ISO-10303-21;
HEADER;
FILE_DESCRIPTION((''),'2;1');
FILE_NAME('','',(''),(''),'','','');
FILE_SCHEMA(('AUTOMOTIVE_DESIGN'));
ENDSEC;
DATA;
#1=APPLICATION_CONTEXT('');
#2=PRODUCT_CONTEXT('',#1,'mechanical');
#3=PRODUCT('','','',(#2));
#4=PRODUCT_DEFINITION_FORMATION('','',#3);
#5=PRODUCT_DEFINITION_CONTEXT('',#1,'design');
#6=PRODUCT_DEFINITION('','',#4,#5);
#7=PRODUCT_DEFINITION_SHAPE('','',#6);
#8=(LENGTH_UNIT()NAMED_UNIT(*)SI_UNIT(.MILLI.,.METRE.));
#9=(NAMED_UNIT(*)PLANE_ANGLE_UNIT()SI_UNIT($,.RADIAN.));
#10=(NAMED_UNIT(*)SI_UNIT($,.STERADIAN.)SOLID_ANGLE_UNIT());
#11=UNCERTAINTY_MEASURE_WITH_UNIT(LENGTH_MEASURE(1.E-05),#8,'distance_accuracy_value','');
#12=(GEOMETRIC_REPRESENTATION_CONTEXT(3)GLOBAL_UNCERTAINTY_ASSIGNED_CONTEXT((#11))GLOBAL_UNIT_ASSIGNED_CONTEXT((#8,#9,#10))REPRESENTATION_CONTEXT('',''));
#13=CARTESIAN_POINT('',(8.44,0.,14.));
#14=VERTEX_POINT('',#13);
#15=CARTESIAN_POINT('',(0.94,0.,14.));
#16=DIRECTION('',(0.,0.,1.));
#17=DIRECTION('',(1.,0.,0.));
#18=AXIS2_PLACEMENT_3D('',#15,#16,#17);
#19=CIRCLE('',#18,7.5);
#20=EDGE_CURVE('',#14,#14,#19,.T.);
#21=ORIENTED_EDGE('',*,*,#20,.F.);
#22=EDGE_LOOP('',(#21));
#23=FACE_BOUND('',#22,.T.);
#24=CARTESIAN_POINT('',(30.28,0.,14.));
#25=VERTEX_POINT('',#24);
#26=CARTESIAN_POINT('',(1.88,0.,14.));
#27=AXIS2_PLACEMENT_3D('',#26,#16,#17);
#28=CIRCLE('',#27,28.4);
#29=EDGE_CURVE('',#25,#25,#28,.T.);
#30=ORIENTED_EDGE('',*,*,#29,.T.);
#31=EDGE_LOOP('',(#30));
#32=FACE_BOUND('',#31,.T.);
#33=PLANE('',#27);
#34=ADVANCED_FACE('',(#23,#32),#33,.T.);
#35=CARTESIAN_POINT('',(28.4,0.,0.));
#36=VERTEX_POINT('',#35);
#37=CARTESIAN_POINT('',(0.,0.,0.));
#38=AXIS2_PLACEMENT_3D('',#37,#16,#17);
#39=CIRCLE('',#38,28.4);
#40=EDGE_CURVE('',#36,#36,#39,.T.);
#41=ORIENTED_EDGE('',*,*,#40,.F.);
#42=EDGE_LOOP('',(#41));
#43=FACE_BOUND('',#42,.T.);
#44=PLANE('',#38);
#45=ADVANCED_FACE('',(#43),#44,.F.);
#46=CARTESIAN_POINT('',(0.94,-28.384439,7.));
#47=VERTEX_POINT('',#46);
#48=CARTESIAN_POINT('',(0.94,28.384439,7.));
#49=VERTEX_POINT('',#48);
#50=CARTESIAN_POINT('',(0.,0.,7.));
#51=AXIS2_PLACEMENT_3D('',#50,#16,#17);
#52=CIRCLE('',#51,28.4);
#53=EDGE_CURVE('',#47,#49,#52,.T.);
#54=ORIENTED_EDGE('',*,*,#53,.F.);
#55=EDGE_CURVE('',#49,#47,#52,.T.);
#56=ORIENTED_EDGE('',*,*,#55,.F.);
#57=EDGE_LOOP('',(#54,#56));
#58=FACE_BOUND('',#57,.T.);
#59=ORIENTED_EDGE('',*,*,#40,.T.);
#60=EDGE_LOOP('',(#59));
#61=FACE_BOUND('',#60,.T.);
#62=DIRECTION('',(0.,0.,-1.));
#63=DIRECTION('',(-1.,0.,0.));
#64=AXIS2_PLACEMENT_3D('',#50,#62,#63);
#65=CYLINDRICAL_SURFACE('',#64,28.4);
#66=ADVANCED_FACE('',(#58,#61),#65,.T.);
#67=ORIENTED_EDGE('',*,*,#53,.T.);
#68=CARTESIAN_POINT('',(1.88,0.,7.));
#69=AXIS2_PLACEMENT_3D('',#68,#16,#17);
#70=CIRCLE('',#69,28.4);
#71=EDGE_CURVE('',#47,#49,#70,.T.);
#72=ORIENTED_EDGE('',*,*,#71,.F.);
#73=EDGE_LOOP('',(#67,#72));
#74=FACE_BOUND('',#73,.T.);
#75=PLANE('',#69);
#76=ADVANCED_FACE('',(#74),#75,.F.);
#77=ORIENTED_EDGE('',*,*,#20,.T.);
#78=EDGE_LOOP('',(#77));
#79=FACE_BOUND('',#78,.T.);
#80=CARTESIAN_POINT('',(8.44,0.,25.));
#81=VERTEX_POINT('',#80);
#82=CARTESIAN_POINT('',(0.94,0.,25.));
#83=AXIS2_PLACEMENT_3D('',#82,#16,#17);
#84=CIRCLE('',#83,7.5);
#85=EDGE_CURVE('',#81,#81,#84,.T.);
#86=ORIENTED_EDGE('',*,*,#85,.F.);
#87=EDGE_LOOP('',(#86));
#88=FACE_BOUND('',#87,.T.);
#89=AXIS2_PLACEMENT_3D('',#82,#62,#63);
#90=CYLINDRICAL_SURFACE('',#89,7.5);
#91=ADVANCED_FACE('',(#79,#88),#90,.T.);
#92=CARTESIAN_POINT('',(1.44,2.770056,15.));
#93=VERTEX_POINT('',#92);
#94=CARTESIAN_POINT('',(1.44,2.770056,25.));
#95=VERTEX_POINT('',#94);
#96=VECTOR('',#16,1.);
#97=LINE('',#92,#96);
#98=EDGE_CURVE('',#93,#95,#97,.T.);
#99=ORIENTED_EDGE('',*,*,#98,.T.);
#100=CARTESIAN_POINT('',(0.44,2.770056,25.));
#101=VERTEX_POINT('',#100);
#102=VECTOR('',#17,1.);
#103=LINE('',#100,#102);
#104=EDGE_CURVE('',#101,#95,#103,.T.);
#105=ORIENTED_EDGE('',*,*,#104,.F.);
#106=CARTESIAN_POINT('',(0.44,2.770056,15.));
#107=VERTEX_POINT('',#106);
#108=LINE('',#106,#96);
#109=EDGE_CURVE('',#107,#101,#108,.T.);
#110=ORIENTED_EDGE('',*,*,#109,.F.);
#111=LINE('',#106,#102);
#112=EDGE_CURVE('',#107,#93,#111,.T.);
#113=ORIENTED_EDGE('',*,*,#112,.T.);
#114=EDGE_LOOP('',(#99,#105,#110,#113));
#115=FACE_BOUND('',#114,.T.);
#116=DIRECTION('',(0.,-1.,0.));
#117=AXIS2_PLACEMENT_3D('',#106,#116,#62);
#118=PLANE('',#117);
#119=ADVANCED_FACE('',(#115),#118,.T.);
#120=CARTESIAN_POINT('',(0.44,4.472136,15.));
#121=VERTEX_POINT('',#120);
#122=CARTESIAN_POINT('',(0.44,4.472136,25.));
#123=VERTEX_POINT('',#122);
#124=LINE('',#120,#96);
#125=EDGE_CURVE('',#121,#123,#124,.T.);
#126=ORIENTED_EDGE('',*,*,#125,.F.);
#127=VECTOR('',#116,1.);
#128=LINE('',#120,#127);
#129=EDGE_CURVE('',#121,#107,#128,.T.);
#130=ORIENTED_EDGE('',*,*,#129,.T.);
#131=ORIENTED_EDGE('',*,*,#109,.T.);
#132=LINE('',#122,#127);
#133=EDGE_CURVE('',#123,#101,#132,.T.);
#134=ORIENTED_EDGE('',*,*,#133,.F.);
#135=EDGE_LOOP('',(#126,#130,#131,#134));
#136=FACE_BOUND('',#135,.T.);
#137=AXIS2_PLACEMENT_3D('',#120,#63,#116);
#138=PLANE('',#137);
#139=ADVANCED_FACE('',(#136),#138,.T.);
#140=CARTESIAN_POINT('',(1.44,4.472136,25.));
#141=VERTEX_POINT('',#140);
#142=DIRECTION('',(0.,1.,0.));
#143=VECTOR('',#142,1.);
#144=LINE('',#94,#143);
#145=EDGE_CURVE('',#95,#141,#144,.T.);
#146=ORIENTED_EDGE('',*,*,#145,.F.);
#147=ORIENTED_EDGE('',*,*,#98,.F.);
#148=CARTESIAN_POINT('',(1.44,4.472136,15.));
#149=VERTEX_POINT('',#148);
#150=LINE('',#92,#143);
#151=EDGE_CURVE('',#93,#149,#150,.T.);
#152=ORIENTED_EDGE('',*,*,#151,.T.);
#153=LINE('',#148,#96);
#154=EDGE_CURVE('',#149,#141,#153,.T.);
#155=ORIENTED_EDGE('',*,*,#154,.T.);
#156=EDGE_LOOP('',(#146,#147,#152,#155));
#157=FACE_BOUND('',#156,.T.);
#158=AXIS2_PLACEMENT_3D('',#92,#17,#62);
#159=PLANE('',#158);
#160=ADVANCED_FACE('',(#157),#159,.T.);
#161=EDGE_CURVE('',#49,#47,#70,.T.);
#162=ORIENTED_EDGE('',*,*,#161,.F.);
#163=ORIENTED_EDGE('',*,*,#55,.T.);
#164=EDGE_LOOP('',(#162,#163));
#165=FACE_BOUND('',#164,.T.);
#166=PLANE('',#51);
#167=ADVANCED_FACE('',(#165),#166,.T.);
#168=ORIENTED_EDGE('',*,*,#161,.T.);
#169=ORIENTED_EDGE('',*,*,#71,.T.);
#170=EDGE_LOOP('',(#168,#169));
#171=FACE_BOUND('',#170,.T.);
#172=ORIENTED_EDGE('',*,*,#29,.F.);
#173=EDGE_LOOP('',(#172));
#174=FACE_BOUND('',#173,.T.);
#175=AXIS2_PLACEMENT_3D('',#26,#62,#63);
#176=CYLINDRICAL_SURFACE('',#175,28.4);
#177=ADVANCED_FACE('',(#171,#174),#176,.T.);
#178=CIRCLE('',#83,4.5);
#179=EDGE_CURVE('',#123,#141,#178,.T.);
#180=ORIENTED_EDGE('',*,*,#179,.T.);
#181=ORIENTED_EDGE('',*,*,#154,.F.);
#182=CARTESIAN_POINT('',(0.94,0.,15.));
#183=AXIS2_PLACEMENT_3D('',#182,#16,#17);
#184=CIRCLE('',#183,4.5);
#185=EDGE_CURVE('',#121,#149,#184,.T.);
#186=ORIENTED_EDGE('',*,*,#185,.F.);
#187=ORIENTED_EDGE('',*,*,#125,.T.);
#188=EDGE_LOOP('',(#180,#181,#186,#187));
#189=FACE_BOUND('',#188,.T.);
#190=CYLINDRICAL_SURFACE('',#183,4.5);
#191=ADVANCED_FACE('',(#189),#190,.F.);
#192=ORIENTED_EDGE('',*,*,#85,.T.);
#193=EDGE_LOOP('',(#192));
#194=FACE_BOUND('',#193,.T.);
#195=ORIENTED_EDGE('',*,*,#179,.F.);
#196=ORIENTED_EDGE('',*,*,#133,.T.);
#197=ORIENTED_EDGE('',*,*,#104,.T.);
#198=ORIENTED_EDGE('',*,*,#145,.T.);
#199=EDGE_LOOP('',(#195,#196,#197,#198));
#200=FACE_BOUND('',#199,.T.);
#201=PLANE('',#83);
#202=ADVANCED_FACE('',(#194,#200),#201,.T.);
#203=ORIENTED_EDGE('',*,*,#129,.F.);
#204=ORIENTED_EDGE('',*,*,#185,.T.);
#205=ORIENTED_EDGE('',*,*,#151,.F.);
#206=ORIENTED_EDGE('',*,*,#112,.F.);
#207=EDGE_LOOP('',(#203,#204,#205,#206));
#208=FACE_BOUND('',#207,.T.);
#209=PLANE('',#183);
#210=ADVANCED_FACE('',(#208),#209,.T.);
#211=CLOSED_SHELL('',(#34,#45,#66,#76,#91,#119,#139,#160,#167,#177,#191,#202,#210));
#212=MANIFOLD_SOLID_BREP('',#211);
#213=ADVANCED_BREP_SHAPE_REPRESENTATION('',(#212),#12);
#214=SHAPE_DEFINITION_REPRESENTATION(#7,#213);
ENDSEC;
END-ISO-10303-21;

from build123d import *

# Parameters (mm, degrees)
SKETCH1_R           = 28.4
BOSS_EXTRUDE1_DEPTH = 7
SKETCH2_R           = 28.4
BOSS_EXTRUDE3_DEPTH = 7
SKETCH4_R           = 7.5
BOSS_EXTRUDE4_DEPTH = 11
CUT_EXTRUDE1_DEPTH  = 10


with BuildPart() as part:
    # Sketch1 → Boss-Extrude1 (new body)
    with BuildSketch(Plane.XY):
        Circle(SKETCH1_R)
    extrude(amount=BOSS_EXTRUDE1_DEPTH)

    # Sketch2 → Boss-Extrude3 (add)
    with BuildSketch(Plane.XY.offset(7)):
        with Locations((1.88, 0)):
            Circle(SKETCH2_R)
    extrude(amount=BOSS_EXTRUDE3_DEPTH)

    # Sketch4 → Boss-Extrude4 (add)
    with BuildSketch(Plane.XY.offset(14)):
        with Locations((0.94, 0)):
            Circle(SKETCH4_R)
    extrude(amount=BOSS_EXTRUDE4_DEPTH)

    # Sketch6 → Cut-Extrude1 (cut)
    with BuildSketch(Plane.XY.offset(25)):
        with BuildLine():
            Line((0.44, 2.770056), (1.44, 2.770056))
            Line((1.44, 2.770056), (1.44, 4.472135955))
            ThreePointArc((1.44, 4.472135955), (0.94, -4.5), (0.44, 4.472135955))
            Line((0.44, 4.472135955), (0.44, 2.770056))
        make_face()
    extrude(amount=-CUT_EXTRUDE1_DEPTH, mode=Mode.SUBTRACT)


solid = part.part
